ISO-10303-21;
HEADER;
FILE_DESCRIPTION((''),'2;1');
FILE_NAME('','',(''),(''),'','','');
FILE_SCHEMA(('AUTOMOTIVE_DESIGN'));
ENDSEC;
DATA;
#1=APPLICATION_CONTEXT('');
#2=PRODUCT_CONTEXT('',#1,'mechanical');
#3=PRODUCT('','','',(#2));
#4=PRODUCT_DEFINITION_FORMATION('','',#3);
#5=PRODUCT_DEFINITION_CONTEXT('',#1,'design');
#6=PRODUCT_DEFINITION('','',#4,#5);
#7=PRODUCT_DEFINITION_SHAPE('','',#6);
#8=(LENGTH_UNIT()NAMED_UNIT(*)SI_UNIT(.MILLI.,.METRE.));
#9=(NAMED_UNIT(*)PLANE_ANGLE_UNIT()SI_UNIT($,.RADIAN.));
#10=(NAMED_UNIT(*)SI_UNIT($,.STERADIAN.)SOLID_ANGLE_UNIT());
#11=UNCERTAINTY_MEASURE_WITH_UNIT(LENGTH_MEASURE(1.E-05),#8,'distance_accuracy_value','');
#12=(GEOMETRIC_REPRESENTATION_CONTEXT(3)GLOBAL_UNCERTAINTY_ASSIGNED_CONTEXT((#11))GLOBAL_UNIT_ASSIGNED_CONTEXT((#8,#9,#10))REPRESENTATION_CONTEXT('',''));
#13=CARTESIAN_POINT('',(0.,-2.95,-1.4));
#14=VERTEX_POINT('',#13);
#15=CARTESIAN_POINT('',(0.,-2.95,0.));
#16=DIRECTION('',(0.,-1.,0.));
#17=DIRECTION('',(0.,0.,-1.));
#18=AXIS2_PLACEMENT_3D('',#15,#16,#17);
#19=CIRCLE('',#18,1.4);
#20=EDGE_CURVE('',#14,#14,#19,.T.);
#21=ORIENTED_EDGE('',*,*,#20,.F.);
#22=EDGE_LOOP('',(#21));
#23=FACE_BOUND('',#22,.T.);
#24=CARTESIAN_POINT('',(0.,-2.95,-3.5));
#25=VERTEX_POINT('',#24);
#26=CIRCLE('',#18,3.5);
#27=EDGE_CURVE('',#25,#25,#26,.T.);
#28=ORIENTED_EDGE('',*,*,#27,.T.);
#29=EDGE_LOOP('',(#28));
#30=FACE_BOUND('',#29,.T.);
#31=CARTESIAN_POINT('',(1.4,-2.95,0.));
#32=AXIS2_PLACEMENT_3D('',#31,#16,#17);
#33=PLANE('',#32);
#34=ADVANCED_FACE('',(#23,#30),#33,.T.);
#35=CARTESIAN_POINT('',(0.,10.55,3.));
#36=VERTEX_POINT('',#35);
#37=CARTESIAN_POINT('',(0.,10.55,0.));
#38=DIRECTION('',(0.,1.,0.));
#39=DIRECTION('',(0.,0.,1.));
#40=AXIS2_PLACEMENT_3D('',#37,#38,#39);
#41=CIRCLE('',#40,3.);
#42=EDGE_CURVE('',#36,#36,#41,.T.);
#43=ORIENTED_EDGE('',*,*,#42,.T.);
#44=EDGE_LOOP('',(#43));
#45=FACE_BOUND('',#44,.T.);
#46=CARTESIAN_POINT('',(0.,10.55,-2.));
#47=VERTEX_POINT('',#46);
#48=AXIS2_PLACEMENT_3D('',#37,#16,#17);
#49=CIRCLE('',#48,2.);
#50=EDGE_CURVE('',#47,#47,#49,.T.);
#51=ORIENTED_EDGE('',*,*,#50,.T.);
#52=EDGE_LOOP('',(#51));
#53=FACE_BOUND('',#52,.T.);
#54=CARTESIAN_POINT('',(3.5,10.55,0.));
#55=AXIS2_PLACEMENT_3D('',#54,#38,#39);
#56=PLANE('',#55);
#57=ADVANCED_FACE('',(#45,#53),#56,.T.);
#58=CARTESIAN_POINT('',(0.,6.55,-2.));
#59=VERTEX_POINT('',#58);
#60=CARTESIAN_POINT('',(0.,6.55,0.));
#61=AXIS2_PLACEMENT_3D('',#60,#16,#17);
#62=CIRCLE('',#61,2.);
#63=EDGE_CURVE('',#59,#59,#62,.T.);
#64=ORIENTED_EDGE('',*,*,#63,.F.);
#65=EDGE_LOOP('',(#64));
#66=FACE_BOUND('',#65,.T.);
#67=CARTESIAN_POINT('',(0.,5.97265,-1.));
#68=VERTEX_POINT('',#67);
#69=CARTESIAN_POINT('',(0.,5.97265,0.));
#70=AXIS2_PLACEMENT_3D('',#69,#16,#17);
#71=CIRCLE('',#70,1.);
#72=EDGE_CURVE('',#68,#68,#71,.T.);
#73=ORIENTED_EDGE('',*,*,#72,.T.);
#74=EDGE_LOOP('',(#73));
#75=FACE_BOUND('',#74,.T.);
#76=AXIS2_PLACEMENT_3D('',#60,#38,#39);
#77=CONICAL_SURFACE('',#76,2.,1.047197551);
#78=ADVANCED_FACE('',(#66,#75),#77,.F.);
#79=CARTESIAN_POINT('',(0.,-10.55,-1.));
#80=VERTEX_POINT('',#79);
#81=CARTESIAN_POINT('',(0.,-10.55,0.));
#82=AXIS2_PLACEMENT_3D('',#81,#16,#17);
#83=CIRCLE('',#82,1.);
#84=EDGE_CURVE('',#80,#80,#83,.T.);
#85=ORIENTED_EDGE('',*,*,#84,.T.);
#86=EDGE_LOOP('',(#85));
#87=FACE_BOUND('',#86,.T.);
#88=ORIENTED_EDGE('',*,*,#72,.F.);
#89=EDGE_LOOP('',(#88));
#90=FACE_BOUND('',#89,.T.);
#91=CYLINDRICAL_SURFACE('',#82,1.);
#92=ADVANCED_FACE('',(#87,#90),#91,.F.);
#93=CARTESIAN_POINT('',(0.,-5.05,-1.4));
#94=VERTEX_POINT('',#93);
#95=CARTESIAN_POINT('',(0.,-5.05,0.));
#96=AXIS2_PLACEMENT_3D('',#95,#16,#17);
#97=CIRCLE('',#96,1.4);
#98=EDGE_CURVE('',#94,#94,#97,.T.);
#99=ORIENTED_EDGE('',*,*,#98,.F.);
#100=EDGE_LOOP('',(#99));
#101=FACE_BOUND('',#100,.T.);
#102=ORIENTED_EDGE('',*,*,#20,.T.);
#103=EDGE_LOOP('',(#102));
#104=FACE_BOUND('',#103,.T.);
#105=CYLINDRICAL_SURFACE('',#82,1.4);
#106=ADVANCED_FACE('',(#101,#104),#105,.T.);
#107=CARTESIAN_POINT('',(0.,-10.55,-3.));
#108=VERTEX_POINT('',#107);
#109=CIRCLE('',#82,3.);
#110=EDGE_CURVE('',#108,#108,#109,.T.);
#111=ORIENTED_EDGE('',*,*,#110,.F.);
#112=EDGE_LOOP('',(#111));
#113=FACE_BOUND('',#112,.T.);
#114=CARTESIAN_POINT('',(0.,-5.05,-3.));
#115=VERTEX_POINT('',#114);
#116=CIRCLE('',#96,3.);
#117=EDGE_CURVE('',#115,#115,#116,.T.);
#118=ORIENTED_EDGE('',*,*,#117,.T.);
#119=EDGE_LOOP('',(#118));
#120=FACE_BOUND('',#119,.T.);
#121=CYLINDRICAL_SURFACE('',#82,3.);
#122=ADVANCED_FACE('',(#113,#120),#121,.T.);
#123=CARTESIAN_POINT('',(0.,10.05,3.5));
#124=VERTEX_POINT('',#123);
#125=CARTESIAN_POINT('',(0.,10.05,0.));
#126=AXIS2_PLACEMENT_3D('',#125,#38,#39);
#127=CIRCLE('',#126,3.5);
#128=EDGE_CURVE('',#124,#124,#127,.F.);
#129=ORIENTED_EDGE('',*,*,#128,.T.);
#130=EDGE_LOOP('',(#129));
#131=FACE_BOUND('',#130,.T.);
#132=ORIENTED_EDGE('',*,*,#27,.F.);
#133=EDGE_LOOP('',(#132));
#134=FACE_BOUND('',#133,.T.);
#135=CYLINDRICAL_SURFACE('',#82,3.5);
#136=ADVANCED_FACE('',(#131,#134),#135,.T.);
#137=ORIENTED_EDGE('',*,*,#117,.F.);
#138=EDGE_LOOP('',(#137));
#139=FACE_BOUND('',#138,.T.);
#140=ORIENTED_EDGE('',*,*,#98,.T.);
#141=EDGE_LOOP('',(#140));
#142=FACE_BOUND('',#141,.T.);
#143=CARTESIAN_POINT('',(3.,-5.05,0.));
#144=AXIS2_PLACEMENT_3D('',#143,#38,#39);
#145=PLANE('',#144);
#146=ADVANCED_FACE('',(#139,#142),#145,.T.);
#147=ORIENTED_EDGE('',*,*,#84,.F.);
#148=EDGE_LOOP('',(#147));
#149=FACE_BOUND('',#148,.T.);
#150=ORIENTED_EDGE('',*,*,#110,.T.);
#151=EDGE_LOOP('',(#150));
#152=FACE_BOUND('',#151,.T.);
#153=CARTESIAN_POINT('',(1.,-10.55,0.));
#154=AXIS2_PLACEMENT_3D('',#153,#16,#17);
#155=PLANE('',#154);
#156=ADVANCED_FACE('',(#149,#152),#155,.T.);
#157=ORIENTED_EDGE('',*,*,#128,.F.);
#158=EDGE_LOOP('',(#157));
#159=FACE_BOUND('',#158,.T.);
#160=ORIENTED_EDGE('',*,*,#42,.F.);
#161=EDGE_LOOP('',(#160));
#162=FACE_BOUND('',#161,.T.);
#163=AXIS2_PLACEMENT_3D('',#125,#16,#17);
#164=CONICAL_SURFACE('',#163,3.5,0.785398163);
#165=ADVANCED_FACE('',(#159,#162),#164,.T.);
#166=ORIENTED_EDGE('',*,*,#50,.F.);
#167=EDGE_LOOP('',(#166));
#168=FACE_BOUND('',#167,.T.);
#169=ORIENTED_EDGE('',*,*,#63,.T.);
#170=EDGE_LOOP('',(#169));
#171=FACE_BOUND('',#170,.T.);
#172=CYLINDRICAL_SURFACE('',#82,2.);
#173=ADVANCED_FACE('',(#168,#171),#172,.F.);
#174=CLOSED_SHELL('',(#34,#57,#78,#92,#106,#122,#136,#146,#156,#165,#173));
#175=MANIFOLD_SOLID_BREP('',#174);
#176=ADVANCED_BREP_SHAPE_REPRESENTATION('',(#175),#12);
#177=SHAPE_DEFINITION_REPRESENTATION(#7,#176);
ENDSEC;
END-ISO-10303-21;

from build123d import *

# Parameters (mm, degrees)
CHAMFER1_SIZE = 0.5


with BuildPart() as part:
    # Sketch1 → Revolve1 (revolve)
    with BuildSketch(Plane.XY):
        Polygon((1, -10.55), (3, -10.55), (3, -5.05), (1.4, -5.05), (1.4, -2.95), (3.5, -2.95), (3.5, 10.55), (2, 10.55), (2, 6.55), (1, 5.972649731), align=None)
    revolve(axis=Axis((0, -10.55, 0), (0, 1, 0)))

    # Chamfer1
    chamfer1_edges = [part.edges().sort_by_distance(p)[0] for p in [
        (-3.5, 10.55, 0),
    ]]
    chamfer(chamfer1_edges, length=CHAMFER1_SIZE)


solid = part.part
